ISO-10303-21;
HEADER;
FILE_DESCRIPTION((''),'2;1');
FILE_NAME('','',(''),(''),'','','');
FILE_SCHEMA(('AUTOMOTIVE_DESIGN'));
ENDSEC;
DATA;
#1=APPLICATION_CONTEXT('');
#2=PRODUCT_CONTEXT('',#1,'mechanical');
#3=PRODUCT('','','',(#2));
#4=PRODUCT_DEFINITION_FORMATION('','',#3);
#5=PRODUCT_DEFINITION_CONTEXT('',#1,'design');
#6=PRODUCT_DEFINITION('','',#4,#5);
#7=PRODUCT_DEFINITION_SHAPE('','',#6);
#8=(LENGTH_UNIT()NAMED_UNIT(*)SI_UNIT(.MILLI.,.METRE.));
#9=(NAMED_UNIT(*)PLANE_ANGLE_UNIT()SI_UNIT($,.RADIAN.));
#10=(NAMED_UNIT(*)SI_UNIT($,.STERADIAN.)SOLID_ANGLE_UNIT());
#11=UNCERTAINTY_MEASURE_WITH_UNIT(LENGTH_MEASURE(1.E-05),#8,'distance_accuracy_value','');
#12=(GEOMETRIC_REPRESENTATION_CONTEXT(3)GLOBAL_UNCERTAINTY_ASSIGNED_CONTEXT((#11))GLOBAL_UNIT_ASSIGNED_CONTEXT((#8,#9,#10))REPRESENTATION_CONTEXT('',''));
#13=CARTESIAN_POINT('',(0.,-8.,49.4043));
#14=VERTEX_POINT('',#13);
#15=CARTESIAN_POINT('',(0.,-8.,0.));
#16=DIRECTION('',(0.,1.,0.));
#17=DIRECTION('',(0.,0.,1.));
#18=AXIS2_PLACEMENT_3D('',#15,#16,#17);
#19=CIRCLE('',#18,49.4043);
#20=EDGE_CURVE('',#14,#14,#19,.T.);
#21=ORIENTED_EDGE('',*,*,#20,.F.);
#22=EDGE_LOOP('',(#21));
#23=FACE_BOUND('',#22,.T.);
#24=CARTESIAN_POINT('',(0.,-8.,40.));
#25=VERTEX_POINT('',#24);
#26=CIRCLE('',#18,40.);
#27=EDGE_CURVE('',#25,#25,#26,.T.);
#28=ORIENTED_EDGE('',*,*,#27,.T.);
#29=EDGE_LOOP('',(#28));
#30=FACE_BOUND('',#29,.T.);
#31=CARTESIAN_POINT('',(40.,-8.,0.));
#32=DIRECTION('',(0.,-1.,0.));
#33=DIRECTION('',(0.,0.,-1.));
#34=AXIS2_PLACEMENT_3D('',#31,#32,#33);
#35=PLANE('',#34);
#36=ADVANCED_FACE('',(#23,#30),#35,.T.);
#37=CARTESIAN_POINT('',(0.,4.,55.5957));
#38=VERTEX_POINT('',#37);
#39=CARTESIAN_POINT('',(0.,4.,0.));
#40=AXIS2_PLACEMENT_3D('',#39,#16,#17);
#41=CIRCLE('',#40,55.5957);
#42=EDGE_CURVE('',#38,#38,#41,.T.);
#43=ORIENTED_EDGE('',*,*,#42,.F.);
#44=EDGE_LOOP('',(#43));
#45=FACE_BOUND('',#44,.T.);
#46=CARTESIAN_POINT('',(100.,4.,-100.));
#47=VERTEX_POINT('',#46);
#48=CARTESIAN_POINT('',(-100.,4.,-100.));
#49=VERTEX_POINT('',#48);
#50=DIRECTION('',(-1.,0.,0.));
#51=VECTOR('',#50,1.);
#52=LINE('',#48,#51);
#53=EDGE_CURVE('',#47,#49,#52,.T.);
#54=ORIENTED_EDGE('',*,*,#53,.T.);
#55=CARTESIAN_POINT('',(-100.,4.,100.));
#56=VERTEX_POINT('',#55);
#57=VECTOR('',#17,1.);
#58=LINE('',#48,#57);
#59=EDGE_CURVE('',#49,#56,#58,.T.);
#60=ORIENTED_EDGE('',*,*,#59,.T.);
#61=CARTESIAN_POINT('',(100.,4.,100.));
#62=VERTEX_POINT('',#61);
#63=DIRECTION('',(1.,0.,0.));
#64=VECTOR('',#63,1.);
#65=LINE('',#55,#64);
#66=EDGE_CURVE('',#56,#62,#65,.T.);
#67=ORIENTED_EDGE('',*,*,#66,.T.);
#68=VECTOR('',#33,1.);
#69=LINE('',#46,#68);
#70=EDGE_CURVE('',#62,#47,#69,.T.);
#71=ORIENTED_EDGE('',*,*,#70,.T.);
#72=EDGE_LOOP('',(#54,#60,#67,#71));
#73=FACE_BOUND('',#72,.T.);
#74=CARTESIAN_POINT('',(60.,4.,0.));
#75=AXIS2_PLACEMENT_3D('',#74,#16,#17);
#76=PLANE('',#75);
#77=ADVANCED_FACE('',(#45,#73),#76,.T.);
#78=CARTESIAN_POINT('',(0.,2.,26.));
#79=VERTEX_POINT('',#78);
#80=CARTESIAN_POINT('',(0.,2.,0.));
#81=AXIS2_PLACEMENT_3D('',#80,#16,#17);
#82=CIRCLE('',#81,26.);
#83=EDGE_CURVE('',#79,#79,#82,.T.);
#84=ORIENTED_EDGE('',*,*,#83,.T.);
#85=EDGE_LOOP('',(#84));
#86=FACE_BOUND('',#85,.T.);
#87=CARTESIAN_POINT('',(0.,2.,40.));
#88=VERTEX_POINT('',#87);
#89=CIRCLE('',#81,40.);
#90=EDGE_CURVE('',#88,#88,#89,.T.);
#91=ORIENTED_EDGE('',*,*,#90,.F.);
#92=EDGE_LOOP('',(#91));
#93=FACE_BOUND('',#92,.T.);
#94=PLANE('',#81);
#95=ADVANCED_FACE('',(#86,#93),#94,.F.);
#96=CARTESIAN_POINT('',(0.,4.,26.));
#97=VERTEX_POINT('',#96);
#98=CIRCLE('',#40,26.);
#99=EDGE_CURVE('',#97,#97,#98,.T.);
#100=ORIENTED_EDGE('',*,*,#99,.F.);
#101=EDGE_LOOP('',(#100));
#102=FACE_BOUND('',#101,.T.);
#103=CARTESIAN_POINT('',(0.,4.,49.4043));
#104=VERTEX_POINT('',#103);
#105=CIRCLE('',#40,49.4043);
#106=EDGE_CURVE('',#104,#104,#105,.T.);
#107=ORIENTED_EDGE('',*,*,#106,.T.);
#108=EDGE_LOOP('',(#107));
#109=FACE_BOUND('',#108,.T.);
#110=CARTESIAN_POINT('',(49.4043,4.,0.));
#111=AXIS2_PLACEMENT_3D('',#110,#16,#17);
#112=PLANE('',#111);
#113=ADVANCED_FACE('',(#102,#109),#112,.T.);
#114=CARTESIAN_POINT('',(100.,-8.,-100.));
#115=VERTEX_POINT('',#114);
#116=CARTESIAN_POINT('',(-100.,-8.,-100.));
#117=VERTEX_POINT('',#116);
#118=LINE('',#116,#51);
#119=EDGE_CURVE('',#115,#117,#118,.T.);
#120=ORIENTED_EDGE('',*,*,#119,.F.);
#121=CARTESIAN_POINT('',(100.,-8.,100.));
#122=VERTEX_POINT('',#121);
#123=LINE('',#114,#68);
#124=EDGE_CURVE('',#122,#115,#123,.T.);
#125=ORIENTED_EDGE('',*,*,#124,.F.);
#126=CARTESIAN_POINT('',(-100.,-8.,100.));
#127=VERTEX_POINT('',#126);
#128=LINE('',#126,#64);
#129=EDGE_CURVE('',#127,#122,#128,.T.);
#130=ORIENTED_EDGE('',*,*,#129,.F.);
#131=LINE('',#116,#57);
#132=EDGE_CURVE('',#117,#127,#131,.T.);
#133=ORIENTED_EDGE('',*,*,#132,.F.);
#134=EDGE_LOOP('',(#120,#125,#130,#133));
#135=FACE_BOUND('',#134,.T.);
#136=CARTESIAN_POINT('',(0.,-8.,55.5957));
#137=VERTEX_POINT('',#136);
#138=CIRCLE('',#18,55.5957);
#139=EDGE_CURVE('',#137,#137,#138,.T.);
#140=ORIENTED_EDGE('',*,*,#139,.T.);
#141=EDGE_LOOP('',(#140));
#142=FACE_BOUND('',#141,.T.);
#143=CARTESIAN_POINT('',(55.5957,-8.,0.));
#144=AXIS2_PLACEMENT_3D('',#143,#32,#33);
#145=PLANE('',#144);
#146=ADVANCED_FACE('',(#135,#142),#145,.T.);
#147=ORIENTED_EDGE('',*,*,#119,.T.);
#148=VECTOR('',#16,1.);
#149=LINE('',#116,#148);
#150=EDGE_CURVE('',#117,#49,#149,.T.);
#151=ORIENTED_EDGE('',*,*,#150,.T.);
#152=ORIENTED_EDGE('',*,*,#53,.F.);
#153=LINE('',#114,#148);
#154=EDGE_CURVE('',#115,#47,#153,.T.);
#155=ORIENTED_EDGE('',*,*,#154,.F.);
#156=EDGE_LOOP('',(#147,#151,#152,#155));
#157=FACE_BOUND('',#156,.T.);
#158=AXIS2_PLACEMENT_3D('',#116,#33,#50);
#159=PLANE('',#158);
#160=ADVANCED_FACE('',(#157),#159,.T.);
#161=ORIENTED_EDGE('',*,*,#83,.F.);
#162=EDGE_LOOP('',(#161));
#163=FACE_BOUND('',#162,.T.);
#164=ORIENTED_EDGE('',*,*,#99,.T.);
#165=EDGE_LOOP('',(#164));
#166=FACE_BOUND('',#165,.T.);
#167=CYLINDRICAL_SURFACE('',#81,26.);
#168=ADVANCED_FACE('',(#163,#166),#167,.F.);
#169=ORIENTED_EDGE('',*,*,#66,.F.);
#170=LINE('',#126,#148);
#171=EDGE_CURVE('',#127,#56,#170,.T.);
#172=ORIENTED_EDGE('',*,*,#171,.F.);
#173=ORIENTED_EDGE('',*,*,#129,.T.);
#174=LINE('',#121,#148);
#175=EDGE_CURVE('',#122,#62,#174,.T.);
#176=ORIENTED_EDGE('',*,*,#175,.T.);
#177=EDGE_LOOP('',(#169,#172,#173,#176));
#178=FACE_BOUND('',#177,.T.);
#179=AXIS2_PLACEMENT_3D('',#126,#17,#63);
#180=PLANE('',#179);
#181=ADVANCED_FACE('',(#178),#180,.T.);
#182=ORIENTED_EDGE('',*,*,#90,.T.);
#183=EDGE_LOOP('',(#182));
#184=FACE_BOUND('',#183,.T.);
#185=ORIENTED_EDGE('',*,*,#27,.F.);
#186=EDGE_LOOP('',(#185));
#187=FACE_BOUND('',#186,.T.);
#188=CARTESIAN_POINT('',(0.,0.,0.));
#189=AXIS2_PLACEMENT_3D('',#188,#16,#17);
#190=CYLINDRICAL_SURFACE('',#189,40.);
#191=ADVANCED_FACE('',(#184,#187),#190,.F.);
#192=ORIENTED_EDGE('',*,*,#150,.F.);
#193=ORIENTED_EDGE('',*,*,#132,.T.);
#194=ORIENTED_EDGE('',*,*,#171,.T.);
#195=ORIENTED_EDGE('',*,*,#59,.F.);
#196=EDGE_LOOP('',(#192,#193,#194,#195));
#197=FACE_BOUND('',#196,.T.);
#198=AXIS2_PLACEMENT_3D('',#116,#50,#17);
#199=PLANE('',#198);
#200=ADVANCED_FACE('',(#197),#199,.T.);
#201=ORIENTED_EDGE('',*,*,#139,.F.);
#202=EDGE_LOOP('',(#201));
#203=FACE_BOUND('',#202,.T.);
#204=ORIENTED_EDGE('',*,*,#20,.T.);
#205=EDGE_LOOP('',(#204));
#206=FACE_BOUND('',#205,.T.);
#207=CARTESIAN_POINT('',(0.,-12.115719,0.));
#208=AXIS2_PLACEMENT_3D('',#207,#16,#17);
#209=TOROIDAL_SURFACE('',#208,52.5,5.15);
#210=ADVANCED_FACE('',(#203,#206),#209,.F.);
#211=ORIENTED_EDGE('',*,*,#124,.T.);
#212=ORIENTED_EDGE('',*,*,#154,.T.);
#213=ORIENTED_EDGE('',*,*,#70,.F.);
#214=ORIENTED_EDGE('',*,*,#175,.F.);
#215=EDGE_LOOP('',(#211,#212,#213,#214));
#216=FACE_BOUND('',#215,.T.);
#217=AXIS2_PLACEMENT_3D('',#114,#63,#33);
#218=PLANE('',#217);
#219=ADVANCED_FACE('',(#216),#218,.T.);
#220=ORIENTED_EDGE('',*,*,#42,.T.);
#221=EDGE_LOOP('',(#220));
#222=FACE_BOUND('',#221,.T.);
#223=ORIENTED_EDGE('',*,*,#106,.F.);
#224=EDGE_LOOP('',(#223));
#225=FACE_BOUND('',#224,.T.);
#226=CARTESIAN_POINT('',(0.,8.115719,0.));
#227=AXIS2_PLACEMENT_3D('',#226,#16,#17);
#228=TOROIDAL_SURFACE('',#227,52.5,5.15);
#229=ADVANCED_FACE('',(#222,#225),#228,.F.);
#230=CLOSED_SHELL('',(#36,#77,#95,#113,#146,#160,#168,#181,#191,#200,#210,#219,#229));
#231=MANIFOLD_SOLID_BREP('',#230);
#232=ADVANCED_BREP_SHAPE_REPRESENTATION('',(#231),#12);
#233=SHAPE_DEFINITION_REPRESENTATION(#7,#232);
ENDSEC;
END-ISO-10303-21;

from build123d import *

# Parameters (mm, degrees)
SKETCH2_W           = 200
SKETCH2_H           = 200
SKETCH2_R           = 60
BOSS_EXTRUDE1_DEPTH = 12
BOSS_EXTRUDE2_START = -2
SKETCH3_R           = 40
SKETCH3_R_2         = 26
BOSS_EXTRUDE2_DEPTH = 2


with BuildPart() as part:
    # Sketch1 → Revolve1 (revolve)
    with BuildSketch(Plane(origin=(0, 0, 0), x_dir=(-1, 0, 0), z_dir=(0, 0, -1)), mode=Mode.PRIVATE) as revolve1_sk:
        with BuildLine():
            Line((-40, 4), (-40, -8))
            Line((-40, -8), (-49.4043, -8))
            ThreePointArc((-49.4043, -8), (-52.5, -6.965718833), (-55.5957, -8))
            Line((-55.5957, -8), (-60, -8))
            Line((-60, -8), (-60, 4))
            Line((-60, 4), (-55.5957, 4))
            ThreePointArc((-55.5957, 4), (-52.5, 2.965718833), (-49.4043, 4))
            Line((-49.4043, 4), (-40, 4))
        make_face()
    revolve(revolve1_sk.sketch.rotate(Axis((0, 0, 0), (0, 1, 0)), 270), axis=Axis((0, 0, 0), (0, 1, 0)))

    # Sketch2 → Boss-Extrude1 (add)
    with BuildSketch(Plane(origin=(0, 4, 0), x_dir=(1, 0, 0), z_dir=(0, 1, 0))):
        Rectangle(SKETCH2_W, SKETCH2_H)
        Circle(SKETCH2_R, mode=Mode.SUBTRACT)
    extrude(amount=-BOSS_EXTRUDE1_DEPTH)

    # Sketch3 → Boss-Extrude2 (add)
    with BuildSketch(Plane(origin=(0, 4, 0), x_dir=(1, 0, 0), z_dir=(0, 1, 0)).offset(BOSS_EXTRUDE2_START)):
        with Locations(Location((0, 0, 0), (0, 0, 270))):
            Circle(SKETCH3_R)
        with Locations(Location((0, 0, 0), (0, 0, 270))):
            Circle(SKETCH3_R_2, mode=Mode.SUBTRACT)
    extrude(amount=BOSS_EXTRUDE2_DEPTH)


solid = part.part
